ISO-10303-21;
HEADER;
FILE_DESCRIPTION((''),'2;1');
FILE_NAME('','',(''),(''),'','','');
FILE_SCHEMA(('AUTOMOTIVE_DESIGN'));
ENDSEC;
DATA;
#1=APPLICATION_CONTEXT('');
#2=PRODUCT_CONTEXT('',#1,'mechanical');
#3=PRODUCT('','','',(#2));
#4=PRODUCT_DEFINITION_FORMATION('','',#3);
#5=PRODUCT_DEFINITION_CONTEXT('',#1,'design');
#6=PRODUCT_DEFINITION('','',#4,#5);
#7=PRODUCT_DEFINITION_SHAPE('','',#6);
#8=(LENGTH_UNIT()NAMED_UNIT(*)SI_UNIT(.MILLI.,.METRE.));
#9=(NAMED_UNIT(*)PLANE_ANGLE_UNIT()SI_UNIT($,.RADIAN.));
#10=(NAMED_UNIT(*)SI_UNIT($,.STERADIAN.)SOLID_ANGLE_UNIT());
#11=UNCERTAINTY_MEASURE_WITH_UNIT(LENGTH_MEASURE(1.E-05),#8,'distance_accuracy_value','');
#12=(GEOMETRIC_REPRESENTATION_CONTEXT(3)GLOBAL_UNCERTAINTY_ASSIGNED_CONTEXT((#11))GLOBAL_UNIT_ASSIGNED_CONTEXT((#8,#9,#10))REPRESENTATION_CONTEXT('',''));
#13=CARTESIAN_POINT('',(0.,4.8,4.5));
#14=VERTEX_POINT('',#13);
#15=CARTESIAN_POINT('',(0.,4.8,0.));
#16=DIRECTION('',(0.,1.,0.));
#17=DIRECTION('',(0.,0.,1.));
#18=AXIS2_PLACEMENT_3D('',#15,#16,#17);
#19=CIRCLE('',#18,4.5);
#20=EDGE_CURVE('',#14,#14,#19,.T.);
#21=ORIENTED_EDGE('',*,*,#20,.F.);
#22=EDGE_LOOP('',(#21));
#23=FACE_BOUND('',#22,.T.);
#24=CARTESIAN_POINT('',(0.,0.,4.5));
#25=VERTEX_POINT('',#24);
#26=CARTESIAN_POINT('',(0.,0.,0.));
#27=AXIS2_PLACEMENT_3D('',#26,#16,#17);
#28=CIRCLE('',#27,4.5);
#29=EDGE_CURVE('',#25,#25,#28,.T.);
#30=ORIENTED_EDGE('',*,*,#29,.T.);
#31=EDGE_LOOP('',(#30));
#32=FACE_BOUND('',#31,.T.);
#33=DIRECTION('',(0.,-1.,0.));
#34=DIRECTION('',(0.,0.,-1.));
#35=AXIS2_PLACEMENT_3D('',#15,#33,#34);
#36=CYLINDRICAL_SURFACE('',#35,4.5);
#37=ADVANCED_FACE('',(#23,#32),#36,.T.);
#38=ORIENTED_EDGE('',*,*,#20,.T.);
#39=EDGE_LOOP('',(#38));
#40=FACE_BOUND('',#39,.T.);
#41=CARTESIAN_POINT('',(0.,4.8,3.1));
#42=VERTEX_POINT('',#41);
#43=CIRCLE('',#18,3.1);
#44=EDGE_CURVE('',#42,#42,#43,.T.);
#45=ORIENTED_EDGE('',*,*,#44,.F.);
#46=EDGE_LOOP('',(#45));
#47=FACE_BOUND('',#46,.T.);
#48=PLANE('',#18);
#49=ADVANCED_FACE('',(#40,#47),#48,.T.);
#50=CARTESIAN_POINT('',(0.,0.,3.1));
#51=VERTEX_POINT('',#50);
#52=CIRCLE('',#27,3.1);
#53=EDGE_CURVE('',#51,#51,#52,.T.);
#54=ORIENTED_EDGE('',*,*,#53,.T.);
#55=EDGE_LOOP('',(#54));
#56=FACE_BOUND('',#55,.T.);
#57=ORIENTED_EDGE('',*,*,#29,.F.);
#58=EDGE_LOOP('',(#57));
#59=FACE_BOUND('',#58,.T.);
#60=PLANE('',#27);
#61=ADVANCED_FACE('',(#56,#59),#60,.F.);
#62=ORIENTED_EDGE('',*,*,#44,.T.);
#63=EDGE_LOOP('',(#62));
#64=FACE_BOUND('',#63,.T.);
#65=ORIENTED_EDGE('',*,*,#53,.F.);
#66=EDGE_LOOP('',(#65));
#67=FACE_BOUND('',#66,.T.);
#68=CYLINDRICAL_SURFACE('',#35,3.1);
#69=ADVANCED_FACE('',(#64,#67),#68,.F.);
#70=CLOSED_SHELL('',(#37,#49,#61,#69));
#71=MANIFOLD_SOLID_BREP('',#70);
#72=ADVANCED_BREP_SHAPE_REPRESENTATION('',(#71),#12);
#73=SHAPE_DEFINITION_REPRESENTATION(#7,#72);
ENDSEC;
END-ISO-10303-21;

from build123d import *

# Parameters (mm, degrees)
SKETCH_1_R      = 4.5
SKETCH_1_R_2    = 3
EXTRUDE_1_DEPTH = 4.8
MOVE_FACE_1_BY  = 0.1


with BuildPart() as part:
    # ｽｹｯﾁ1 → ﾎﾞｽ - 押し出し1 (new body)
    with BuildSketch(Plane(origin=(0, 0, 0), x_dir=(1, 0, 0), z_dir=(0, 1, 0))):
        with Locations(Location((0, 0, 0), (0, 0, 270))):
            Circle(SKETCH_1_R)
        with Locations(Location((0, 0, 0), (0, 0, 270))):
            Circle(SKETCH_1_R_2, mode=Mode.SUBTRACT)
    extrude(amount=EXTRUDE_1_DEPTH)

    # Move Face 1: a curved face moved inward by 0.1
    add(Solid.thicken(part.faces().sort_by_distance((0, 2.4, -3))[0], -MOVE_FACE_1_BY), mode=Mode.SUBTRACT)


solid = part.part
